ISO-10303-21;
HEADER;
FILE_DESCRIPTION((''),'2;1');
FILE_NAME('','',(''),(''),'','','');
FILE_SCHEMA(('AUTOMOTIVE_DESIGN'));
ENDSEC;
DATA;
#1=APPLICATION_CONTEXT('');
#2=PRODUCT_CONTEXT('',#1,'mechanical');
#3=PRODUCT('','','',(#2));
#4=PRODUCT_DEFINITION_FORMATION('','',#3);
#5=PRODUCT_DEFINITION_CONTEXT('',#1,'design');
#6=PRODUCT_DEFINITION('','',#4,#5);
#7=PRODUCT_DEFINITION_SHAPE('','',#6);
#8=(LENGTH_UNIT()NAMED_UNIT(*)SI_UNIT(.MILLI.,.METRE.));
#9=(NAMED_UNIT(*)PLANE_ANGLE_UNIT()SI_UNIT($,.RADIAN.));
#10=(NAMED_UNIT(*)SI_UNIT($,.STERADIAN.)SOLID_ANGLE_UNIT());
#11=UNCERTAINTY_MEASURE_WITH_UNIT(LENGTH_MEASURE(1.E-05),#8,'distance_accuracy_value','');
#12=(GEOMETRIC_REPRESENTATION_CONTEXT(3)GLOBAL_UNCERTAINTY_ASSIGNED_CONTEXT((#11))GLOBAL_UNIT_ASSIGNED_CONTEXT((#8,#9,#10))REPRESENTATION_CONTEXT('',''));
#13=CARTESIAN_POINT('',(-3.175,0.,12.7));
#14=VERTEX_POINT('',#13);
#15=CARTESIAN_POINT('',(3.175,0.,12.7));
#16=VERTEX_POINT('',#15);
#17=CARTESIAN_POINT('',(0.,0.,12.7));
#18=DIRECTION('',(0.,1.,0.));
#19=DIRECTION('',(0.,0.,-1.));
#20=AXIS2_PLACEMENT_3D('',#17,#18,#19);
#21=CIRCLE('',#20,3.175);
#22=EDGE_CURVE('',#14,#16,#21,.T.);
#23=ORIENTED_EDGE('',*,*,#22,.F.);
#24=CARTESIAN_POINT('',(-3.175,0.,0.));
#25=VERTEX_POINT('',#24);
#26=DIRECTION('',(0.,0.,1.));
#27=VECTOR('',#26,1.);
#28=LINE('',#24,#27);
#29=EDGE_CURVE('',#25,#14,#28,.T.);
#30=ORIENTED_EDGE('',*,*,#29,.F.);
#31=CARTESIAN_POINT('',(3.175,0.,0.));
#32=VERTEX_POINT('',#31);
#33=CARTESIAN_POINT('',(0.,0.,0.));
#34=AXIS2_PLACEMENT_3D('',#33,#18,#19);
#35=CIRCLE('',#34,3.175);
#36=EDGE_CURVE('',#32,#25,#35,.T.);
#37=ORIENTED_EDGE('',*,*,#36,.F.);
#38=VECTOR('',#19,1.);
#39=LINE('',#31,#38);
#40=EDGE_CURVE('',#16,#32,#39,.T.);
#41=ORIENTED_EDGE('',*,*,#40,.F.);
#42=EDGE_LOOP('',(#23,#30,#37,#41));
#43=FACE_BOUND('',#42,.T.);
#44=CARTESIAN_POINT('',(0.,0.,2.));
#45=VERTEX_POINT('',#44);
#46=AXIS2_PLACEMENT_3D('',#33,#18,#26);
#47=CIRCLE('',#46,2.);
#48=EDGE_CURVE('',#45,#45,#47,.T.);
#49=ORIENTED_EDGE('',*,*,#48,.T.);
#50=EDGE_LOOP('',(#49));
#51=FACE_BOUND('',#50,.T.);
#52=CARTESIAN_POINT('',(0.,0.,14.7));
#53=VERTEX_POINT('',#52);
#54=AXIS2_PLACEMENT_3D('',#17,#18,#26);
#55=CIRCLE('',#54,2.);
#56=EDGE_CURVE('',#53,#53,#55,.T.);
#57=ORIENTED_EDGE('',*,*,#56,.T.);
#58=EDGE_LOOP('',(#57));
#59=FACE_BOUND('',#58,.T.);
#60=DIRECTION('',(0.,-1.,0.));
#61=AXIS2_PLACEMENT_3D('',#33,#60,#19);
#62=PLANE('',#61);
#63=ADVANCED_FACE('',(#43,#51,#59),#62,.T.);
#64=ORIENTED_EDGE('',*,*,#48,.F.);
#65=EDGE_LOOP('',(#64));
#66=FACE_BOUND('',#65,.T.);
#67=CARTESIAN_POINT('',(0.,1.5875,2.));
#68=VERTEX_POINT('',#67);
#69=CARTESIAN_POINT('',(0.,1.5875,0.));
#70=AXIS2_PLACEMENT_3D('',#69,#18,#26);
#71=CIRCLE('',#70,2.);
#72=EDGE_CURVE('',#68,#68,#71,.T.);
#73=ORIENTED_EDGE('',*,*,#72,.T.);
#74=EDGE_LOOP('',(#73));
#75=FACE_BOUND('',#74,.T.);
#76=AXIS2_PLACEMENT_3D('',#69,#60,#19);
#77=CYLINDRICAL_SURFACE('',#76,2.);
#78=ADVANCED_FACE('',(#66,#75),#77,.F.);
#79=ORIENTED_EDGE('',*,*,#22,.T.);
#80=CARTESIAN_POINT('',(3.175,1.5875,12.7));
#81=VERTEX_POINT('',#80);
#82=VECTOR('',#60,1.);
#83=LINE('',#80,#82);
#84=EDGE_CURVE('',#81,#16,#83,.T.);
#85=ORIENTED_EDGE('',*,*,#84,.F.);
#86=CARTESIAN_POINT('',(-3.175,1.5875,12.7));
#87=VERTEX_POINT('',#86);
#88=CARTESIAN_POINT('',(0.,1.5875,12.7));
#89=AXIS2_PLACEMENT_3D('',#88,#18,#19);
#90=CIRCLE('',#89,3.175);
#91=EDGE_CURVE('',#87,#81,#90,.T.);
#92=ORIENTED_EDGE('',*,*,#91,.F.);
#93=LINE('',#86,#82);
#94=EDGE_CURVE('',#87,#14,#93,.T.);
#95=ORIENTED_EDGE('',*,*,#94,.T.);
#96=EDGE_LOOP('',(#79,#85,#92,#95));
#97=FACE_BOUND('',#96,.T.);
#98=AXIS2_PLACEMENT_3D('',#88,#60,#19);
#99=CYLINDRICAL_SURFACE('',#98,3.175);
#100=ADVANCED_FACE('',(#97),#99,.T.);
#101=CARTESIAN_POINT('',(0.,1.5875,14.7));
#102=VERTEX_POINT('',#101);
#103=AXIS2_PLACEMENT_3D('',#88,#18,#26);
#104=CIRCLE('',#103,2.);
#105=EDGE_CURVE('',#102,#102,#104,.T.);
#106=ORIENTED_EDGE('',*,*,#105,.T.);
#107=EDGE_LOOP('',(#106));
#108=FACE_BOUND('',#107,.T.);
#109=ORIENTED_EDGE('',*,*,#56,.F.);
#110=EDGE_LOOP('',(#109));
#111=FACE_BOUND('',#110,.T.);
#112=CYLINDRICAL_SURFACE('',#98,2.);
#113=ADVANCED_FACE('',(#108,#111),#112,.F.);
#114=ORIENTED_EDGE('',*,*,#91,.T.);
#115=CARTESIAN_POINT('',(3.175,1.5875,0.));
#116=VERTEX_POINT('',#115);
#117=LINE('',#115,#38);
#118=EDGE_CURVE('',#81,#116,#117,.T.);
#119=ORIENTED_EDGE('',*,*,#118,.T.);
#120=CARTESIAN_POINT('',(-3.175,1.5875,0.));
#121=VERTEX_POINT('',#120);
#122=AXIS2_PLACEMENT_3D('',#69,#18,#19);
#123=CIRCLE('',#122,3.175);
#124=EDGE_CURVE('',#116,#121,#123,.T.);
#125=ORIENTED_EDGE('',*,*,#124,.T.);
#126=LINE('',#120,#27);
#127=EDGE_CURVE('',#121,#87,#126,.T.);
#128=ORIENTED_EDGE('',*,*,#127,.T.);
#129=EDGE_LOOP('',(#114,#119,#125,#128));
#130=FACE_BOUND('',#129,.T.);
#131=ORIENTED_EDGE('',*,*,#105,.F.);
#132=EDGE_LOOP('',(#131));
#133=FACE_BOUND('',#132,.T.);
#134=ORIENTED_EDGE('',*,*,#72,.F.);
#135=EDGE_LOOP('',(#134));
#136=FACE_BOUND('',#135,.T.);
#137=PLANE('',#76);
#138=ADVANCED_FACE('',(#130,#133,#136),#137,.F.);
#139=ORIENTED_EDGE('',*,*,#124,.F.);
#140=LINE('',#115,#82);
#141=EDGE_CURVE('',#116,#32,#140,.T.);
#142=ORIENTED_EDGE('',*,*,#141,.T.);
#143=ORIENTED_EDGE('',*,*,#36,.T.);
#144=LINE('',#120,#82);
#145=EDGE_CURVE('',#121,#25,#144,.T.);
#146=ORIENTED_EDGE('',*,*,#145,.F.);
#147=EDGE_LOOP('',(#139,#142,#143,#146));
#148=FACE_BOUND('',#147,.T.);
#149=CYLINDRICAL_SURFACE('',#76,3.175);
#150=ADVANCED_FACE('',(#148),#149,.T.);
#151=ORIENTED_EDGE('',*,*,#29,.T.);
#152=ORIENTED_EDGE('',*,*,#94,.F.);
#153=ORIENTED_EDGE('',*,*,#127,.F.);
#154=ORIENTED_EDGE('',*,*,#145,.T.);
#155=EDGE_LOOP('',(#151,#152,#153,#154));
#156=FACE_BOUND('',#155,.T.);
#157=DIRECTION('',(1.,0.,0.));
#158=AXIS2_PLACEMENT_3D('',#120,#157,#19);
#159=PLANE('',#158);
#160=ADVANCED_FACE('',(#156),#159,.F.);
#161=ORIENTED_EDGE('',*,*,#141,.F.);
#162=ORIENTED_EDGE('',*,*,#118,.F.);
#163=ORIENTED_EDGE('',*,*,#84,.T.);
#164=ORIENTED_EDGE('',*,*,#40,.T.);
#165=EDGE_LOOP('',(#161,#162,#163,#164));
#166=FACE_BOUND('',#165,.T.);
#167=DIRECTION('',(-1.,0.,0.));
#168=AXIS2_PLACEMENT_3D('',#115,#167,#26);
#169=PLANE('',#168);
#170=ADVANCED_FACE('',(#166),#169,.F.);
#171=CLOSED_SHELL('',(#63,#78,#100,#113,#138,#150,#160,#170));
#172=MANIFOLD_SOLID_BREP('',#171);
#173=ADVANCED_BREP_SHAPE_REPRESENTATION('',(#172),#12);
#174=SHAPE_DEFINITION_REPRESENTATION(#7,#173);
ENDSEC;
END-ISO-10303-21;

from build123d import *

# Parameters (mm, degrees)
SKETCH2_R           = 2
BOSS_EXTRUDE1_DEPTH = 1.5875


with BuildPart() as part:
    # Sketch2 → Boss-Extrude1 (new body)
    with BuildSketch(Plane(origin=(0, 0, 0), x_dir=(1, 0, 0), z_dir=(0, 1, 0))):
        with BuildLine():
            Line((3.175, 0), (3.175, -12.7))
            ThreePointArc((3.175, -12.7), (0, -15.875), (-3.175, -12.7))
            Line((-3.175, -12.7), (-3.175, 0))
            ThreePointArc((-3.175, 0), (0, 3.175), (3.175, 0))
        make_face()
        with Locations(Location((0, 0, 0), (0, 0, 270))):
            Circle(SKETCH2_R, mode=Mode.SUBTRACT)
        with Locations(Location((0, -12.7, 0), (0, 0, 270))):
            Circle(SKETCH2_R, mode=Mode.SUBTRACT)
    extrude(amount=BOSS_EXTRUDE1_DEPTH)


solid = part.part
